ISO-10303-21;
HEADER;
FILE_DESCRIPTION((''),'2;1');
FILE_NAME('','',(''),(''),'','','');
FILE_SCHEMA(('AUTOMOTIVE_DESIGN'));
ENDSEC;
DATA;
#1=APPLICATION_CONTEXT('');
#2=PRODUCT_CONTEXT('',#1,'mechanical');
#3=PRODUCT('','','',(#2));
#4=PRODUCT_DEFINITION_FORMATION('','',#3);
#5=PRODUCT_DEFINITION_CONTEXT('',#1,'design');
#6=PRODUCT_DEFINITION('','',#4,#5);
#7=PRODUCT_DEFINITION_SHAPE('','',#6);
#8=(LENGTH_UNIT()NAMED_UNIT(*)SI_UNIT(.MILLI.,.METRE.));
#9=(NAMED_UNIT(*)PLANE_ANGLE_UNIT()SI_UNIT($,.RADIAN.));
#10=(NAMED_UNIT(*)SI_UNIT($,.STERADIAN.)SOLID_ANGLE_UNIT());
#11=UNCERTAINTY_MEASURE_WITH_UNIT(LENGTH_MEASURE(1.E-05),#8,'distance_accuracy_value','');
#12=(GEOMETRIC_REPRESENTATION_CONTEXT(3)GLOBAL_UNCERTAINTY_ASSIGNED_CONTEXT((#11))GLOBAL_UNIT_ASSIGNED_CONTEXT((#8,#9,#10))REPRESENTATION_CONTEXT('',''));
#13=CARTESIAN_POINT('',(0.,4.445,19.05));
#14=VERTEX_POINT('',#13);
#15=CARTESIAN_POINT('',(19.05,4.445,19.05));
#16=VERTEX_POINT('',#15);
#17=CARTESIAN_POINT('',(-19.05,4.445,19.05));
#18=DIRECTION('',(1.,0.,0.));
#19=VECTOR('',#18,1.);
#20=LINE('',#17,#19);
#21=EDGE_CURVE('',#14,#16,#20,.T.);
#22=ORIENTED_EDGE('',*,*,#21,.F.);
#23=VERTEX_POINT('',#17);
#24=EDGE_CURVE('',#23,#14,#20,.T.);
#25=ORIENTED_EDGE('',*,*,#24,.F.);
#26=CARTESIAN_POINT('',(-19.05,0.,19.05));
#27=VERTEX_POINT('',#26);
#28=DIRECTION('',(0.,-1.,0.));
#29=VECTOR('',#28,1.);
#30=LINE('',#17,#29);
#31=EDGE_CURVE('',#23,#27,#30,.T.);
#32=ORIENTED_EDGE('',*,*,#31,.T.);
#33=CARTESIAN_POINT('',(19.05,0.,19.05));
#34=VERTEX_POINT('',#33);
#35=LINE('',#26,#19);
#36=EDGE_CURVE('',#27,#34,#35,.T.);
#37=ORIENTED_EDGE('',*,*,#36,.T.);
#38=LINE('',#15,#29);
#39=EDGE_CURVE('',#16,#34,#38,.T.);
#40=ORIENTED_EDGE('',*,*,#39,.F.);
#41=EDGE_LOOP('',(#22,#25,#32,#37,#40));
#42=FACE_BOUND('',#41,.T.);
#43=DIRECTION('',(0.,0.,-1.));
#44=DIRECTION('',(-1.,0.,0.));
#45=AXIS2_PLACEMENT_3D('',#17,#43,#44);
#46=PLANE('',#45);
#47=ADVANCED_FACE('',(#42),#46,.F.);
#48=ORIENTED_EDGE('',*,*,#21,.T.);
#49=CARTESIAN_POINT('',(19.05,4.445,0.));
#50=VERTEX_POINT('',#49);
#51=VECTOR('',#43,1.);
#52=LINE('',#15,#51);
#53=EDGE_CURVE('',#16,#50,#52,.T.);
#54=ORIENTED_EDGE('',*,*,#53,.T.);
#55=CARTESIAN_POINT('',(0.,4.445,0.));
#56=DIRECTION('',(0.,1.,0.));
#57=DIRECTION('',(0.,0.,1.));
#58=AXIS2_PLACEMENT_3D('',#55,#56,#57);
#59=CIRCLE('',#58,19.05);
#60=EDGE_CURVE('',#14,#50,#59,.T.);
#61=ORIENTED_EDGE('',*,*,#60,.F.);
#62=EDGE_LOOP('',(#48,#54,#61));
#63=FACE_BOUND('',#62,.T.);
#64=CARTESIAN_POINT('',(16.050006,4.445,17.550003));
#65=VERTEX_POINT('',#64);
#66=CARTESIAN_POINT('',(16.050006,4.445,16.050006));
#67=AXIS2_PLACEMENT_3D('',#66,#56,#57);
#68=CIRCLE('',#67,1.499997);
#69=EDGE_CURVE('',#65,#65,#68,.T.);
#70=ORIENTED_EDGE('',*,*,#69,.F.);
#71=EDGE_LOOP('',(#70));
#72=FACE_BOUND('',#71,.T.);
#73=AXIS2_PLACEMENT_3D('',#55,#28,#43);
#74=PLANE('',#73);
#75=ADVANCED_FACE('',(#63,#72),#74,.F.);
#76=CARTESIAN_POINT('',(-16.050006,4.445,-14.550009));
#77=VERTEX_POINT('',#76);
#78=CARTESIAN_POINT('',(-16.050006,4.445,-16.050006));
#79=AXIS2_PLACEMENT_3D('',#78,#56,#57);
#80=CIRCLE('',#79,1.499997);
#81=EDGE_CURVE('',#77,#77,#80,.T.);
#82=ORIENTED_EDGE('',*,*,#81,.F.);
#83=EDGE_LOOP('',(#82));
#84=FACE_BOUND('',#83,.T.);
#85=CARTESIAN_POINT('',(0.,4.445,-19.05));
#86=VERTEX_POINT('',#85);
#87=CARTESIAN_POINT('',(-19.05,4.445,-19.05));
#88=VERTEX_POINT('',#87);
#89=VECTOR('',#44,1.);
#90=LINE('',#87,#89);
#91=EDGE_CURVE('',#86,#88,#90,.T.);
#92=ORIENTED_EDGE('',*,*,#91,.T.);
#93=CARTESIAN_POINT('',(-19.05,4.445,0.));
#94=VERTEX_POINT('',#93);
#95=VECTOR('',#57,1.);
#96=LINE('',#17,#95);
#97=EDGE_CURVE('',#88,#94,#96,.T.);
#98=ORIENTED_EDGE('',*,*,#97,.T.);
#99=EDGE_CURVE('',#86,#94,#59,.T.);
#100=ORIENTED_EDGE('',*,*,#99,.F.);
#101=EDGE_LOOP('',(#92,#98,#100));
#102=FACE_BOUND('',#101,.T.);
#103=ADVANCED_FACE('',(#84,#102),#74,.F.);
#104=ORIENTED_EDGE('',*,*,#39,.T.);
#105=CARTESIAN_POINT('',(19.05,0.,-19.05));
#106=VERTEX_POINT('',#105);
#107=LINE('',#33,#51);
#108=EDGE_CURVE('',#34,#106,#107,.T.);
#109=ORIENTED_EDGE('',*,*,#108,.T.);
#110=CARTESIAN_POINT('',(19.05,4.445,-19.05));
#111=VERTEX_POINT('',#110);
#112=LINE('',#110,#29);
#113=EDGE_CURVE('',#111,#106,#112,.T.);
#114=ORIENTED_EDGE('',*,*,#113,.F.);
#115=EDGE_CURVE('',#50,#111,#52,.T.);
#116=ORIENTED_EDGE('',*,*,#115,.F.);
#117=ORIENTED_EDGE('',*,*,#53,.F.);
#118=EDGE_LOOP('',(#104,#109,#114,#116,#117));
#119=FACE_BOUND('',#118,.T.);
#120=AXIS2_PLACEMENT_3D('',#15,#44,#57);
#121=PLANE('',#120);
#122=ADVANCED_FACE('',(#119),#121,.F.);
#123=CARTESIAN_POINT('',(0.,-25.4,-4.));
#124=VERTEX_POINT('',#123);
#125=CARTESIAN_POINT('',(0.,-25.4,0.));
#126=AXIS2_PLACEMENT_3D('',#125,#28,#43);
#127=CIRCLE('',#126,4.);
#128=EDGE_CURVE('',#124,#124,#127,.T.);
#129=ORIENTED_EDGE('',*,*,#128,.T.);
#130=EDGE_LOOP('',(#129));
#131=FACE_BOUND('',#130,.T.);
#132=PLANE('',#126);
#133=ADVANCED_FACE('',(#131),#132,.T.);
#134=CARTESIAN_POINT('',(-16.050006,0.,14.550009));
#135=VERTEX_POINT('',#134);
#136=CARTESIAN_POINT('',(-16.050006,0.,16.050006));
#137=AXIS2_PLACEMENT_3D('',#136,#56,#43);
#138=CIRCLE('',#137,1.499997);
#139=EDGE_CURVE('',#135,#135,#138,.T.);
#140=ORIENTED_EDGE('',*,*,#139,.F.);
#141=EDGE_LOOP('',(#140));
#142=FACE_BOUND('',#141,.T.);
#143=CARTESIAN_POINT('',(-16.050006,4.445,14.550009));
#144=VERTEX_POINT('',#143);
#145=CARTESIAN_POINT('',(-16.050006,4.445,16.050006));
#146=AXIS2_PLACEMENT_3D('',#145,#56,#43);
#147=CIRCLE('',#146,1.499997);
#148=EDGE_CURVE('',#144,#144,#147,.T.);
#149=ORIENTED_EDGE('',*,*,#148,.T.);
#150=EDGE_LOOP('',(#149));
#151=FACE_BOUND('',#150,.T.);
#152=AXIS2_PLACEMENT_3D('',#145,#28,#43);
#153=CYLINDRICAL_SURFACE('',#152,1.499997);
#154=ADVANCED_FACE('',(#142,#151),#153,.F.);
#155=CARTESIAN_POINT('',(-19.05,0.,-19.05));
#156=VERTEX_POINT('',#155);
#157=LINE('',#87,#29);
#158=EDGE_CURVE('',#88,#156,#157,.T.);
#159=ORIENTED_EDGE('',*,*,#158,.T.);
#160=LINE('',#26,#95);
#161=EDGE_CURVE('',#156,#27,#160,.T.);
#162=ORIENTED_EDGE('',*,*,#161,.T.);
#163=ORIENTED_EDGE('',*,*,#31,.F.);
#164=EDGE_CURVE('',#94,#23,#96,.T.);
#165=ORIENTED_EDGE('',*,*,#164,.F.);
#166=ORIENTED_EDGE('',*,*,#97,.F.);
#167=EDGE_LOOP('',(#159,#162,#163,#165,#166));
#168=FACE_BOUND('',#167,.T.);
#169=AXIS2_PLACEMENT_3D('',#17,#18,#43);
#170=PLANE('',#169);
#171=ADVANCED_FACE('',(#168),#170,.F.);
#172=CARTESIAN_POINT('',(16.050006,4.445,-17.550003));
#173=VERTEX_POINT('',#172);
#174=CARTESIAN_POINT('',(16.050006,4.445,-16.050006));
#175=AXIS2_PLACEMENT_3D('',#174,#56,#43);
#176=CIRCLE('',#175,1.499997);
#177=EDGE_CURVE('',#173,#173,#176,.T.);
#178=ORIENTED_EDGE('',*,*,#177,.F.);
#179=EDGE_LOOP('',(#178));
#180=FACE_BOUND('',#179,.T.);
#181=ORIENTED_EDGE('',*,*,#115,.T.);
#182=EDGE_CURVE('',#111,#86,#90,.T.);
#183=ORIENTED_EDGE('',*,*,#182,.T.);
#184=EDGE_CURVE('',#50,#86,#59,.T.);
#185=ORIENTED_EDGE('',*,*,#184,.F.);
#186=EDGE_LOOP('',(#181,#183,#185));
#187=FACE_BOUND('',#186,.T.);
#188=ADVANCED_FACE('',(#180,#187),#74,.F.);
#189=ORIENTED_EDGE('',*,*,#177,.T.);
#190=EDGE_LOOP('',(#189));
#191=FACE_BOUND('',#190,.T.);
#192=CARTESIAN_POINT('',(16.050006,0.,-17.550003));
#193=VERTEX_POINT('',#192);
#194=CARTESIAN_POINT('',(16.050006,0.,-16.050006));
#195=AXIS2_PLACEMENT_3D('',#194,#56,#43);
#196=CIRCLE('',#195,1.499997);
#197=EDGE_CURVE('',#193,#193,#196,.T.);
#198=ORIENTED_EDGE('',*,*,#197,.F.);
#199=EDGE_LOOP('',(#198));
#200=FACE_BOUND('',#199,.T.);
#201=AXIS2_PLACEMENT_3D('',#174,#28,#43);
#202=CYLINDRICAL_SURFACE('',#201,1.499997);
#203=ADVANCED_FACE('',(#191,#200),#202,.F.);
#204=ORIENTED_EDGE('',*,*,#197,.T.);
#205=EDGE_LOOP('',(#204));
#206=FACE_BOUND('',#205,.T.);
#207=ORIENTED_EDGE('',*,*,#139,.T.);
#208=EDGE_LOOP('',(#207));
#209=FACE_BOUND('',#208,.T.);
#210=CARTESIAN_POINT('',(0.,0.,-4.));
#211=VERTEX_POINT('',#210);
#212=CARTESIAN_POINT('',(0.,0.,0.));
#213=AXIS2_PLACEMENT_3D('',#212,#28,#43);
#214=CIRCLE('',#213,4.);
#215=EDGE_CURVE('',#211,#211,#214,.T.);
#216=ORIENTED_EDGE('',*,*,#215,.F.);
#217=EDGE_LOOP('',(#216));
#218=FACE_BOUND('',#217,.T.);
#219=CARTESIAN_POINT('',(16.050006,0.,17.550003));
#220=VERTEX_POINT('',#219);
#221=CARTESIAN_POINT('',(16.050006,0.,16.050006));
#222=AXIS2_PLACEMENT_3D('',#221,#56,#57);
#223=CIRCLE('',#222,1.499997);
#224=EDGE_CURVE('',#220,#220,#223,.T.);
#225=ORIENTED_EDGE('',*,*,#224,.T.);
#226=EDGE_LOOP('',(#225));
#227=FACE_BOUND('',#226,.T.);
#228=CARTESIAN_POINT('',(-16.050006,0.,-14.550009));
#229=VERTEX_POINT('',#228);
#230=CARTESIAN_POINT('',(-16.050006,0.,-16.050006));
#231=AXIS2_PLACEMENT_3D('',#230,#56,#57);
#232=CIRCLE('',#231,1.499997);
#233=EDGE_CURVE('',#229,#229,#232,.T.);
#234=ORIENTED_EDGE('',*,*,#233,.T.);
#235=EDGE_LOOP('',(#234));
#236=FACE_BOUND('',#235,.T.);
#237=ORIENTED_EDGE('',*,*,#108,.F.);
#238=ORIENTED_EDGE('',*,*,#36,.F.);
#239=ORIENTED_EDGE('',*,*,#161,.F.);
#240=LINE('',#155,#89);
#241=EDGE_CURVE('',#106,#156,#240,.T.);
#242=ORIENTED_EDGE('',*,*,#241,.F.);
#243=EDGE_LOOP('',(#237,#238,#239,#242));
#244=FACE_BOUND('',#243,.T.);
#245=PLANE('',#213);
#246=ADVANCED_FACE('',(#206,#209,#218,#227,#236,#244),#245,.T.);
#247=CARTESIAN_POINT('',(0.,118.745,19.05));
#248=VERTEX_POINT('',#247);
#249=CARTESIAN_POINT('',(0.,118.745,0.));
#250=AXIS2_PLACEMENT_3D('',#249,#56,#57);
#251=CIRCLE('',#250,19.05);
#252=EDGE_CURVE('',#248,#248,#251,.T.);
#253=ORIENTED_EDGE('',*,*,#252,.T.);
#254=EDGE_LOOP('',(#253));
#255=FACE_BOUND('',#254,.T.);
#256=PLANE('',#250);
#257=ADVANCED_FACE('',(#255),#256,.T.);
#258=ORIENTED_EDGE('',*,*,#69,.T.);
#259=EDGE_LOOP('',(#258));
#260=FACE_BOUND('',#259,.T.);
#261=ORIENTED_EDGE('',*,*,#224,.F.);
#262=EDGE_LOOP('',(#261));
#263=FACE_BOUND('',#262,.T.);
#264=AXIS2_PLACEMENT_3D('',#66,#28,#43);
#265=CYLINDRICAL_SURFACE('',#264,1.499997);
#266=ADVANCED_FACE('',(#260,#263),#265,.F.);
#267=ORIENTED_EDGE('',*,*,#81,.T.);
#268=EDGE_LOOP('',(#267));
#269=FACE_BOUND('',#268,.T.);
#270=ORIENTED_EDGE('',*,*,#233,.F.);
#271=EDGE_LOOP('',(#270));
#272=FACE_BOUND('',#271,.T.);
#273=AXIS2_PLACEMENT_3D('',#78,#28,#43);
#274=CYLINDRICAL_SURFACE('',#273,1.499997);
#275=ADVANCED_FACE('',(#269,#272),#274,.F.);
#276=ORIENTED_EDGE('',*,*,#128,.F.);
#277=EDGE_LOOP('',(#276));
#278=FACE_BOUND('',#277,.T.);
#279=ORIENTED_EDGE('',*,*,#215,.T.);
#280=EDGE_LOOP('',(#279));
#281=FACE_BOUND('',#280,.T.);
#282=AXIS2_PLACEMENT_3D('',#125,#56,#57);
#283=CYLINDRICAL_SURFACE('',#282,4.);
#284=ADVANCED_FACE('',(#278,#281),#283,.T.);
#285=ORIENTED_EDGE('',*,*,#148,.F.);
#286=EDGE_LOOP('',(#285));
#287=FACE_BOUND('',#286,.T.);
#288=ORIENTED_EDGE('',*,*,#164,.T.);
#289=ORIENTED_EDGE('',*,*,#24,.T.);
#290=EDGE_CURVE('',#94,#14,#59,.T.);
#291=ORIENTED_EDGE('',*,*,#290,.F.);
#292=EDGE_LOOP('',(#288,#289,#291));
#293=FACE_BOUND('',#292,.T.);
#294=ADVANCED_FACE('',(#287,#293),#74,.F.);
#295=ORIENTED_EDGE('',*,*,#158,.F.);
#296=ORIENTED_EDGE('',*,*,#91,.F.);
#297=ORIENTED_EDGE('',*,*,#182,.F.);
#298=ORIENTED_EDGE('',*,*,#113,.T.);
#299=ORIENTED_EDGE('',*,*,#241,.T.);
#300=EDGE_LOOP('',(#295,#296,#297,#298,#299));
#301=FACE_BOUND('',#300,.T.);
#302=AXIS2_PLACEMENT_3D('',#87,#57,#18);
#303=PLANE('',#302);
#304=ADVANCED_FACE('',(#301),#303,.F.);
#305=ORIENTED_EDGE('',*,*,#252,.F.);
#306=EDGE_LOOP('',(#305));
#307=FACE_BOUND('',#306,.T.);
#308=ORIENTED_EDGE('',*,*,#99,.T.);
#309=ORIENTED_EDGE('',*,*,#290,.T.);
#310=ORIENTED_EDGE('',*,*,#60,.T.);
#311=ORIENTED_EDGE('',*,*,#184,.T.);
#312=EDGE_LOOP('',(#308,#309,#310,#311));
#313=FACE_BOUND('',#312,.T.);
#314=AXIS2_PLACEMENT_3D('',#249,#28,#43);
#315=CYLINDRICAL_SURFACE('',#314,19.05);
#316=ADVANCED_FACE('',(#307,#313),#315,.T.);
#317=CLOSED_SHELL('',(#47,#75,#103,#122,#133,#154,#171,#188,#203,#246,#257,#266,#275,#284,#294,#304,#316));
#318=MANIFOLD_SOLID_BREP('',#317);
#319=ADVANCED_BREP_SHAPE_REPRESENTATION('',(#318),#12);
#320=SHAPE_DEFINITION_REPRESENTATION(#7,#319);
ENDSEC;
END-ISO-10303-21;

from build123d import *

# Parameters (mm, degrees)
SKETCH1_W           = 38.1
SKETCH1_H           = 38.1
SKETCH1_R           = 1.499997
BOSS_EXTRUDE1_DEPTH = 4.445
SKETCH2_R           = 19.05
BOSS_EXTRUDE2_DEPTH = 114.3
SKETCH3_R           = 4
BOSS_EXTRUDE3_DEPTH = 25.4


with BuildPart() as part:
    # Sketch1 → Boss-Extrude1 (new body)
    with BuildSketch(Plane(origin=(0, 0, 0), x_dir=(1, 0, 0), z_dir=(0, 1, 0))):
        Rectangle(SKETCH1_W, SKETCH1_H)
        with Locations(Location((-16.050006, 16.050006, 0), (0, 0, 270))):
            Circle(SKETCH1_R, mode=Mode.SUBTRACT)
        with Locations(Location((16.050006, 16.050006, 0), (0, 0, 90))):
            Circle(SKETCH1_R, mode=Mode.SUBTRACT)
        with Locations(Location((16.050006, -16.050006, 0), (0, 0, 270))):
            Circle(SKETCH1_R, mode=Mode.SUBTRACT)
        with Locations(Location((-16.050006, -16.050006, 0), (0, 0, 90))):
            Circle(SKETCH1_R, mode=Mode.SUBTRACT)
    extrude(amount=BOSS_EXTRUDE1_DEPTH)

    # Sketch2 → Boss-Extrude2 (add)
    with BuildSketch(Plane(origin=(0, 4.445, 0), x_dir=(1, 0, 0), z_dir=(0, 1, 0))):
        with Locations(Location((0, 0, 0), (0, 0, 270))):
            Circle(SKETCH2_R)
    extrude(amount=BOSS_EXTRUDE2_DEPTH)

    # Sketch3 → Boss-Extrude3 (add)
    with BuildSketch(Plane.XZ):
        with Locations(Location((0, 0, 0), (0, 0, 270))):
            Circle(SKETCH3_R)
    extrude(amount=BOSS_EXTRUDE3_DEPTH)


solid = part.part
